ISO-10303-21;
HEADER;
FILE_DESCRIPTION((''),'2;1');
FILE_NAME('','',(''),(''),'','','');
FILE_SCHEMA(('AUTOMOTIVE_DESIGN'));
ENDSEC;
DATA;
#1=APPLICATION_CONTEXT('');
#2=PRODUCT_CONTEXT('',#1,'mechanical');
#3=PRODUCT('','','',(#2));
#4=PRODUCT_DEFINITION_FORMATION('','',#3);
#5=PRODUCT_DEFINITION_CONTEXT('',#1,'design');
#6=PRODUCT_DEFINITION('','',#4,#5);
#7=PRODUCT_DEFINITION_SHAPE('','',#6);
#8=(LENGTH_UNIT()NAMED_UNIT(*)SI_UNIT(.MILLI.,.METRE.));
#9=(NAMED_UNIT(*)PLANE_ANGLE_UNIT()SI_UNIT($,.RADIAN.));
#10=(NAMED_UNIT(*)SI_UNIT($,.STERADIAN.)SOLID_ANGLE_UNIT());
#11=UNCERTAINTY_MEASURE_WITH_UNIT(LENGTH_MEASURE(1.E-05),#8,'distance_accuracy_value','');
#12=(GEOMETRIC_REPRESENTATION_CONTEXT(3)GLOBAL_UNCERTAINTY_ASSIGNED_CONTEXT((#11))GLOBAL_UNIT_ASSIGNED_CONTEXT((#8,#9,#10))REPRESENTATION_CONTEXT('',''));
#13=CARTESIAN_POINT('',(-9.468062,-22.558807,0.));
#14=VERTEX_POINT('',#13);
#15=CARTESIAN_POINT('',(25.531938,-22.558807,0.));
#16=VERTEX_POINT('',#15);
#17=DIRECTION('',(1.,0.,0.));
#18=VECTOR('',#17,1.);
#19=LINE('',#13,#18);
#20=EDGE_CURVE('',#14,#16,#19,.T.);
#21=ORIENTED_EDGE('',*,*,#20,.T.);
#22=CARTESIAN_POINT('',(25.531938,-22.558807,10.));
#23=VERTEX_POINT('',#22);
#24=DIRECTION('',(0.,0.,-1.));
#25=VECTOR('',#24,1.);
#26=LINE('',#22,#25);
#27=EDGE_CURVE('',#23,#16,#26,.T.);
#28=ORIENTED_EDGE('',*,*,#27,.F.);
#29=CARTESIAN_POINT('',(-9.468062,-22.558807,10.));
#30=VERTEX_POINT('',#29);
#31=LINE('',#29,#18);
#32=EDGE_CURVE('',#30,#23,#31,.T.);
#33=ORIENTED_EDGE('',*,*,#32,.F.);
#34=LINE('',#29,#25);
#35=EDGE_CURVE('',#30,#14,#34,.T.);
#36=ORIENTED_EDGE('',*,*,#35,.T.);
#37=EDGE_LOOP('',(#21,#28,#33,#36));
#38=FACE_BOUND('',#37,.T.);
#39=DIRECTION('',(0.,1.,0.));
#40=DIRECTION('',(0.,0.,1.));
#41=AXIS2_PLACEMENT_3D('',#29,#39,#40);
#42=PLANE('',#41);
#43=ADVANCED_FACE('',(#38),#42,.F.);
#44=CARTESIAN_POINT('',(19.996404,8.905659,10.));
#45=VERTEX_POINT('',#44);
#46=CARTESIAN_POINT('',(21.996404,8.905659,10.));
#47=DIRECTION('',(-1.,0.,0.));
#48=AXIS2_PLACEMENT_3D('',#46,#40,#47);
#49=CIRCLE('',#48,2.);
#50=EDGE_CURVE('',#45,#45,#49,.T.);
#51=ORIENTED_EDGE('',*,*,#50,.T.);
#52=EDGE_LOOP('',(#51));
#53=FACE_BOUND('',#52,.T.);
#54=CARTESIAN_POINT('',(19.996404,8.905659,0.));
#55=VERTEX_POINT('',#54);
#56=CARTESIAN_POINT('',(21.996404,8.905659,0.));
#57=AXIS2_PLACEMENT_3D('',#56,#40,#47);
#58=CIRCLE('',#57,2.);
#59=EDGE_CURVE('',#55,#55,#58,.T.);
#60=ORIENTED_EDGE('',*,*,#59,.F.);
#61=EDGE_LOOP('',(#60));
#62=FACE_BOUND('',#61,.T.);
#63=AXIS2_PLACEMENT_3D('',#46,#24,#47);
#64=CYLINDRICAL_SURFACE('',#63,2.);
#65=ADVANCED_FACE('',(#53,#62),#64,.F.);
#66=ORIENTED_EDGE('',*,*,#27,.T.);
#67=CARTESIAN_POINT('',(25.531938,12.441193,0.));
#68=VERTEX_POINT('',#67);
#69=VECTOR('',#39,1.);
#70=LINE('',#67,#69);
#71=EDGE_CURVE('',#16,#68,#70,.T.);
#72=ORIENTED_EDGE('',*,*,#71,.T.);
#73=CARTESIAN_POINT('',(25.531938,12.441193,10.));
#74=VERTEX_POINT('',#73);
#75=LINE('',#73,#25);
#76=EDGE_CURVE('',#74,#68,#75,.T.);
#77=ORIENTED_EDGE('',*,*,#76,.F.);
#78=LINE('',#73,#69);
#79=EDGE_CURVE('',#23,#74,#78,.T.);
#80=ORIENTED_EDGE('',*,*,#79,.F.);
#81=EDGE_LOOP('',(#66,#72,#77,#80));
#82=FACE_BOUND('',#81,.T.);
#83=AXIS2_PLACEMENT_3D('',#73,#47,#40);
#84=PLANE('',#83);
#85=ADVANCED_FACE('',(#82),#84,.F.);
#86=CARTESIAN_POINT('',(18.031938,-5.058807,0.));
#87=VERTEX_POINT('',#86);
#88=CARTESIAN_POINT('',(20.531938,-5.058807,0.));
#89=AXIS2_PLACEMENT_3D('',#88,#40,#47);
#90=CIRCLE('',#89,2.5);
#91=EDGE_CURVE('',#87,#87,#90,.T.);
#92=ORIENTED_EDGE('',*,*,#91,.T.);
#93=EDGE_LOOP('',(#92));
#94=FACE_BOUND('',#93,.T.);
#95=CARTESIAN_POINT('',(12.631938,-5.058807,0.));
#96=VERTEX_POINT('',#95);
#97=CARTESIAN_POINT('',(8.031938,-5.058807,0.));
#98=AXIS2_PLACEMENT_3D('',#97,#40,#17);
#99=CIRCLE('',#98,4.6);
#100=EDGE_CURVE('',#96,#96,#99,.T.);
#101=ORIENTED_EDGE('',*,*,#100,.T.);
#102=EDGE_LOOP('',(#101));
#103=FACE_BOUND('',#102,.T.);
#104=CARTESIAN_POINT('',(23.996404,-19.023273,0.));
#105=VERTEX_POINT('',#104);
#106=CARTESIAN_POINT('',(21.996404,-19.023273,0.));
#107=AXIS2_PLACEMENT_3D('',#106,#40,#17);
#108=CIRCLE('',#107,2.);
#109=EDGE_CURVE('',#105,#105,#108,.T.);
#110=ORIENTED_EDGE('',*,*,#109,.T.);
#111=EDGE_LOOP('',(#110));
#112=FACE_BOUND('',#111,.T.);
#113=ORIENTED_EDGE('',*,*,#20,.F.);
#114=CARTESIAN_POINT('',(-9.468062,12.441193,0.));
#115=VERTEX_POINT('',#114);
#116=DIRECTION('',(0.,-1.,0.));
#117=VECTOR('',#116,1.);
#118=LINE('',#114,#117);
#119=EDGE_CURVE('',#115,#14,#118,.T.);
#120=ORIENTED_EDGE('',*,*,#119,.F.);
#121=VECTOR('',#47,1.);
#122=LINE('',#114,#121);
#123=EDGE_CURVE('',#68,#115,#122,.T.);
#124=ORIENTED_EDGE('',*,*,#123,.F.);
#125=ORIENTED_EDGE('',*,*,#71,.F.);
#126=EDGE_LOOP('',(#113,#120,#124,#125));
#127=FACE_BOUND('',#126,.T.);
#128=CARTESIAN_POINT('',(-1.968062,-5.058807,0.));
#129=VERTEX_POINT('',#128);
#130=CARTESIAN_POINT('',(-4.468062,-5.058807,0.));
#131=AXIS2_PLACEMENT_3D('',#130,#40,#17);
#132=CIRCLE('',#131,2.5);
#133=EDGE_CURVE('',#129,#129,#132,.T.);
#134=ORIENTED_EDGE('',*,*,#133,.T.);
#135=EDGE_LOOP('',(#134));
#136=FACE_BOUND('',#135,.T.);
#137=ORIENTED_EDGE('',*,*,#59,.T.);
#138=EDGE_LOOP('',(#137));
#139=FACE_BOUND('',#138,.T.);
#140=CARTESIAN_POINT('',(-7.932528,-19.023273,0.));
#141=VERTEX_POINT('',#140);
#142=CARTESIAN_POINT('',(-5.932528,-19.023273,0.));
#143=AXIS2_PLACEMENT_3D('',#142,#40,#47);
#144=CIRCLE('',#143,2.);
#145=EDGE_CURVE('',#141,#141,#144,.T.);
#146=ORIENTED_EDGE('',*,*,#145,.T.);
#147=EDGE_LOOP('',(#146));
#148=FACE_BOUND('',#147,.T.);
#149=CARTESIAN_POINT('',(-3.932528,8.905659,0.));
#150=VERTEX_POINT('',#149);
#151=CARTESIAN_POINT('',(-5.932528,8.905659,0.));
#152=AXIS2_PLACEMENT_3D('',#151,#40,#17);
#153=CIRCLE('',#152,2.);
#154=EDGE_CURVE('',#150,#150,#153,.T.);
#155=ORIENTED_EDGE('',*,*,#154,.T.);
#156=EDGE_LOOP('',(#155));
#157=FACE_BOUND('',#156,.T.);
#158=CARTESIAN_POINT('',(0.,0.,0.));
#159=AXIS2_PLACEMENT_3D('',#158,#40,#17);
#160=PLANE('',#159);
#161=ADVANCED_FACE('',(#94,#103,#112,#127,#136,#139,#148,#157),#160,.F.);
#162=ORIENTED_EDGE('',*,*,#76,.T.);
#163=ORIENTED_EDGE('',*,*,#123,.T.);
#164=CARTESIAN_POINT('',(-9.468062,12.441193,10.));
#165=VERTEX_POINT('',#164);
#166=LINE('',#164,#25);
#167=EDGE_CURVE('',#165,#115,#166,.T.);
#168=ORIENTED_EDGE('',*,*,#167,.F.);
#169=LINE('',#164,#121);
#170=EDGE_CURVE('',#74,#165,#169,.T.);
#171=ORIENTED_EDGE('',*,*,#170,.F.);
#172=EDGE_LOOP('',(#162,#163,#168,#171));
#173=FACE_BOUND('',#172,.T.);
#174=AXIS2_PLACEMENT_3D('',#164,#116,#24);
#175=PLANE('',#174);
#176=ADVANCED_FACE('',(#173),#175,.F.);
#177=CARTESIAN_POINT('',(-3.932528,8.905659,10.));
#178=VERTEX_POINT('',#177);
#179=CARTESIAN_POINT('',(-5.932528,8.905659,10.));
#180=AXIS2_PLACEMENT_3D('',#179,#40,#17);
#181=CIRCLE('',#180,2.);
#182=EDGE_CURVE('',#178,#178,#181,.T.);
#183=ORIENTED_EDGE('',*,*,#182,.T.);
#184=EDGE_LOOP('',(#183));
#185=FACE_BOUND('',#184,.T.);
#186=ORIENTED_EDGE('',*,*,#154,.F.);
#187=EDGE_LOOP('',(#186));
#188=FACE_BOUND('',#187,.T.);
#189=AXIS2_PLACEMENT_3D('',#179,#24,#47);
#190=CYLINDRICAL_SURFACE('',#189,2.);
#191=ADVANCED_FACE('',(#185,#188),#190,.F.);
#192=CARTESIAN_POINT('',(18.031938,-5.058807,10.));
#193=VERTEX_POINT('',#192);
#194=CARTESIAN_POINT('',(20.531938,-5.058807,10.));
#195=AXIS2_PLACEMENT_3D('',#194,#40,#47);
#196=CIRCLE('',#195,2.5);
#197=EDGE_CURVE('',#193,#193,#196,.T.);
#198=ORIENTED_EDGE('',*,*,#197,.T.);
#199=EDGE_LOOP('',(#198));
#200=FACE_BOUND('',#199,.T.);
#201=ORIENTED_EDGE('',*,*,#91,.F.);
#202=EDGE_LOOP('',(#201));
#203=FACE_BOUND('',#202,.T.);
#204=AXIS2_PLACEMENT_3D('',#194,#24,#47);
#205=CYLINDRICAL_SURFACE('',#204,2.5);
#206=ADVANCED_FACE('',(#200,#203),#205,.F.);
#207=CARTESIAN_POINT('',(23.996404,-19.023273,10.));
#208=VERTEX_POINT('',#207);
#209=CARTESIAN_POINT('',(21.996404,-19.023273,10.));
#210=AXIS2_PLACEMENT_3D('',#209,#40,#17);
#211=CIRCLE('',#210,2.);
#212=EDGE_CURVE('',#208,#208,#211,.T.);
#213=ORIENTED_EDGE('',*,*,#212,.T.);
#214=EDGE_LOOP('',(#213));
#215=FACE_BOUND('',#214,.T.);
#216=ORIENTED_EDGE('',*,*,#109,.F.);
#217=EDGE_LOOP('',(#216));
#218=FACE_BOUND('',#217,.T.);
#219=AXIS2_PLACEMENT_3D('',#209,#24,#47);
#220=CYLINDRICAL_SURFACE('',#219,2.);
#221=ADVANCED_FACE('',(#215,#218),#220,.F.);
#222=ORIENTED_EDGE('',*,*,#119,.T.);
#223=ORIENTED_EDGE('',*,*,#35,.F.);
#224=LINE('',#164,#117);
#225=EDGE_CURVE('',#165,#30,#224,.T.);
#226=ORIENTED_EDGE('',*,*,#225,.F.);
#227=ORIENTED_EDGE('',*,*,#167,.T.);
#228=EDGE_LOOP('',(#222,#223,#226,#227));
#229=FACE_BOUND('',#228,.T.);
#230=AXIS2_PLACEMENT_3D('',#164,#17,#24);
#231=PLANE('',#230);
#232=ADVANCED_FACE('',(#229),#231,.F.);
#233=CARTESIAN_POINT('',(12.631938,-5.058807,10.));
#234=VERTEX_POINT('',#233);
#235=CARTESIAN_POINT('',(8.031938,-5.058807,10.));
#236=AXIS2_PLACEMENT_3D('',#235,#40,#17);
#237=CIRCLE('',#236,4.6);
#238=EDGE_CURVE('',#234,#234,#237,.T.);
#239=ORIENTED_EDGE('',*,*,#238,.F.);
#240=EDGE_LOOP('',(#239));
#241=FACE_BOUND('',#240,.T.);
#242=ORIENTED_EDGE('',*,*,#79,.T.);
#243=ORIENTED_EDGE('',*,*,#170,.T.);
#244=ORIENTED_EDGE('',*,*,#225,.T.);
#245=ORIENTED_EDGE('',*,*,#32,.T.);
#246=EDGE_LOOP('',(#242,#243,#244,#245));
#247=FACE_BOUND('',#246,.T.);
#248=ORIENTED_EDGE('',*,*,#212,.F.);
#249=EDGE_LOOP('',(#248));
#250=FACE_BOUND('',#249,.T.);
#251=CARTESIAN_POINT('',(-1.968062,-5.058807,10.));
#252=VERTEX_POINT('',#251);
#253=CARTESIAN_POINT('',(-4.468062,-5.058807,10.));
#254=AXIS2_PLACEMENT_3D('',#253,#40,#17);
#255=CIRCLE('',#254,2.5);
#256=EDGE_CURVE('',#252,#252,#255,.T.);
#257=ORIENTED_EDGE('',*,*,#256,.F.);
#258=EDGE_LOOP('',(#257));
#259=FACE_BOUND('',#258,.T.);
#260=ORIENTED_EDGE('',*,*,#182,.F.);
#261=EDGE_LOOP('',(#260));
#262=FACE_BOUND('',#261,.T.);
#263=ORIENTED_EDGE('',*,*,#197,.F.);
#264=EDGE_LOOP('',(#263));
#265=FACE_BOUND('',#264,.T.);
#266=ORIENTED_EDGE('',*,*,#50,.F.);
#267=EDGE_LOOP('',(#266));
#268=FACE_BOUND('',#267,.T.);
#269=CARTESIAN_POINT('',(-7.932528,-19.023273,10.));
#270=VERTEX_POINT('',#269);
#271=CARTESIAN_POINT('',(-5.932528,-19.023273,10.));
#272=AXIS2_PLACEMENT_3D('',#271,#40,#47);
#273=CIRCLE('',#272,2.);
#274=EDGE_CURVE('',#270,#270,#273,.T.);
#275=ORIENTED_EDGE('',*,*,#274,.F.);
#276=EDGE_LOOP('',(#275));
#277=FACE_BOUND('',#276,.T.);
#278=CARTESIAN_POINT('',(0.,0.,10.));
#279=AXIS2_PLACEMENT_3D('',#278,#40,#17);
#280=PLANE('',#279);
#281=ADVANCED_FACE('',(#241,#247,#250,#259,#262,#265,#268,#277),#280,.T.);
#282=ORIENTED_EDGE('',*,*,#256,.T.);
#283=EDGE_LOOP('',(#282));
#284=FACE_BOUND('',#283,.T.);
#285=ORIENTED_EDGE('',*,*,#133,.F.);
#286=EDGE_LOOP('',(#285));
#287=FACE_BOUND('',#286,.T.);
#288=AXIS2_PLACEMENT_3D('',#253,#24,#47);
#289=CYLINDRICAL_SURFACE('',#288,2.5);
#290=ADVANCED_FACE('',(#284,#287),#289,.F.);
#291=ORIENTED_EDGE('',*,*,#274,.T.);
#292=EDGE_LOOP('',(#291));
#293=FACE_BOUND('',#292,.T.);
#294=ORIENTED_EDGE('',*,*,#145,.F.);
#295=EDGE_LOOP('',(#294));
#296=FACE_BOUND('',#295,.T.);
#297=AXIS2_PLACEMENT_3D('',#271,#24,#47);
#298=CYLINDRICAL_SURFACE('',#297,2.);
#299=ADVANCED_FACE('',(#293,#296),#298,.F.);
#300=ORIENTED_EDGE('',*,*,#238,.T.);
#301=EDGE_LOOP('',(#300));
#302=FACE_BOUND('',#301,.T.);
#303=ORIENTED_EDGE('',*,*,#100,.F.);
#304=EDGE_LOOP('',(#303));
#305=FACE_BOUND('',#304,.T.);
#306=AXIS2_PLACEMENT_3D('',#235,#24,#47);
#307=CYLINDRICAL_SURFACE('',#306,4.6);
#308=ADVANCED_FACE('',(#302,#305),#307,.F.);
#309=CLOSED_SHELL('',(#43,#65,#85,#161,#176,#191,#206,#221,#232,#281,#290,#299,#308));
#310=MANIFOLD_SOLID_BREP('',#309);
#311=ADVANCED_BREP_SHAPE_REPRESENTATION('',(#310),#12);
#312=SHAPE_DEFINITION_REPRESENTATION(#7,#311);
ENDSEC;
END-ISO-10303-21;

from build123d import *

# Parameters (mm, degrees)
SKETCH1_W           = 35
SKETCH1_H           = 35
SKETCH1_R           = 4.6
SKETCH1_R_2         = 2
SKETCH1_R_3         = 2.5
BOSS_EXTRUDE1_DEPTH = 10


with BuildPart() as part:
    # Sketch1 → Boss-Extrude1 (new body)
    with BuildSketch(Plane.XY):
        with Locations((8.031937938, -5.058807352)):
            Rectangle(SKETCH1_W, SKETCH1_H)
        with Locations((8.031937938, -5.058807352)):
            Circle(SKETCH1_R, mode=Mode.SUBTRACT)
        with Locations((21.996404032, -19.023273446)):
            Circle(SKETCH1_R_2, mode=Mode.SUBTRACT)
        with Locations(Location((21.996404032, 8.905658742, 0), (0, 0, 180))):
            Circle(SKETCH1_R_2, mode=Mode.SUBTRACT)
        with Locations(Location((-5.932528156, -19.023273446, 0), (0, 0, 180))):
            Circle(SKETCH1_R_2, mode=Mode.SUBTRACT)
        with Locations((-5.932528156, 8.905658742)):
            Circle(SKETCH1_R_2, mode=Mode.SUBTRACT)
        with Locations((-4.468062062, -5.058807352)):
            Circle(SKETCH1_R_3, mode=Mode.SUBTRACT)
        with Locations(Location((20.531937938, -5.058807352, 0), (0, 0, 180))):
            Circle(SKETCH1_R_3, mode=Mode.SUBTRACT)
    extrude(amount=BOSS_EXTRUDE1_DEPTH)


solid = part.part
